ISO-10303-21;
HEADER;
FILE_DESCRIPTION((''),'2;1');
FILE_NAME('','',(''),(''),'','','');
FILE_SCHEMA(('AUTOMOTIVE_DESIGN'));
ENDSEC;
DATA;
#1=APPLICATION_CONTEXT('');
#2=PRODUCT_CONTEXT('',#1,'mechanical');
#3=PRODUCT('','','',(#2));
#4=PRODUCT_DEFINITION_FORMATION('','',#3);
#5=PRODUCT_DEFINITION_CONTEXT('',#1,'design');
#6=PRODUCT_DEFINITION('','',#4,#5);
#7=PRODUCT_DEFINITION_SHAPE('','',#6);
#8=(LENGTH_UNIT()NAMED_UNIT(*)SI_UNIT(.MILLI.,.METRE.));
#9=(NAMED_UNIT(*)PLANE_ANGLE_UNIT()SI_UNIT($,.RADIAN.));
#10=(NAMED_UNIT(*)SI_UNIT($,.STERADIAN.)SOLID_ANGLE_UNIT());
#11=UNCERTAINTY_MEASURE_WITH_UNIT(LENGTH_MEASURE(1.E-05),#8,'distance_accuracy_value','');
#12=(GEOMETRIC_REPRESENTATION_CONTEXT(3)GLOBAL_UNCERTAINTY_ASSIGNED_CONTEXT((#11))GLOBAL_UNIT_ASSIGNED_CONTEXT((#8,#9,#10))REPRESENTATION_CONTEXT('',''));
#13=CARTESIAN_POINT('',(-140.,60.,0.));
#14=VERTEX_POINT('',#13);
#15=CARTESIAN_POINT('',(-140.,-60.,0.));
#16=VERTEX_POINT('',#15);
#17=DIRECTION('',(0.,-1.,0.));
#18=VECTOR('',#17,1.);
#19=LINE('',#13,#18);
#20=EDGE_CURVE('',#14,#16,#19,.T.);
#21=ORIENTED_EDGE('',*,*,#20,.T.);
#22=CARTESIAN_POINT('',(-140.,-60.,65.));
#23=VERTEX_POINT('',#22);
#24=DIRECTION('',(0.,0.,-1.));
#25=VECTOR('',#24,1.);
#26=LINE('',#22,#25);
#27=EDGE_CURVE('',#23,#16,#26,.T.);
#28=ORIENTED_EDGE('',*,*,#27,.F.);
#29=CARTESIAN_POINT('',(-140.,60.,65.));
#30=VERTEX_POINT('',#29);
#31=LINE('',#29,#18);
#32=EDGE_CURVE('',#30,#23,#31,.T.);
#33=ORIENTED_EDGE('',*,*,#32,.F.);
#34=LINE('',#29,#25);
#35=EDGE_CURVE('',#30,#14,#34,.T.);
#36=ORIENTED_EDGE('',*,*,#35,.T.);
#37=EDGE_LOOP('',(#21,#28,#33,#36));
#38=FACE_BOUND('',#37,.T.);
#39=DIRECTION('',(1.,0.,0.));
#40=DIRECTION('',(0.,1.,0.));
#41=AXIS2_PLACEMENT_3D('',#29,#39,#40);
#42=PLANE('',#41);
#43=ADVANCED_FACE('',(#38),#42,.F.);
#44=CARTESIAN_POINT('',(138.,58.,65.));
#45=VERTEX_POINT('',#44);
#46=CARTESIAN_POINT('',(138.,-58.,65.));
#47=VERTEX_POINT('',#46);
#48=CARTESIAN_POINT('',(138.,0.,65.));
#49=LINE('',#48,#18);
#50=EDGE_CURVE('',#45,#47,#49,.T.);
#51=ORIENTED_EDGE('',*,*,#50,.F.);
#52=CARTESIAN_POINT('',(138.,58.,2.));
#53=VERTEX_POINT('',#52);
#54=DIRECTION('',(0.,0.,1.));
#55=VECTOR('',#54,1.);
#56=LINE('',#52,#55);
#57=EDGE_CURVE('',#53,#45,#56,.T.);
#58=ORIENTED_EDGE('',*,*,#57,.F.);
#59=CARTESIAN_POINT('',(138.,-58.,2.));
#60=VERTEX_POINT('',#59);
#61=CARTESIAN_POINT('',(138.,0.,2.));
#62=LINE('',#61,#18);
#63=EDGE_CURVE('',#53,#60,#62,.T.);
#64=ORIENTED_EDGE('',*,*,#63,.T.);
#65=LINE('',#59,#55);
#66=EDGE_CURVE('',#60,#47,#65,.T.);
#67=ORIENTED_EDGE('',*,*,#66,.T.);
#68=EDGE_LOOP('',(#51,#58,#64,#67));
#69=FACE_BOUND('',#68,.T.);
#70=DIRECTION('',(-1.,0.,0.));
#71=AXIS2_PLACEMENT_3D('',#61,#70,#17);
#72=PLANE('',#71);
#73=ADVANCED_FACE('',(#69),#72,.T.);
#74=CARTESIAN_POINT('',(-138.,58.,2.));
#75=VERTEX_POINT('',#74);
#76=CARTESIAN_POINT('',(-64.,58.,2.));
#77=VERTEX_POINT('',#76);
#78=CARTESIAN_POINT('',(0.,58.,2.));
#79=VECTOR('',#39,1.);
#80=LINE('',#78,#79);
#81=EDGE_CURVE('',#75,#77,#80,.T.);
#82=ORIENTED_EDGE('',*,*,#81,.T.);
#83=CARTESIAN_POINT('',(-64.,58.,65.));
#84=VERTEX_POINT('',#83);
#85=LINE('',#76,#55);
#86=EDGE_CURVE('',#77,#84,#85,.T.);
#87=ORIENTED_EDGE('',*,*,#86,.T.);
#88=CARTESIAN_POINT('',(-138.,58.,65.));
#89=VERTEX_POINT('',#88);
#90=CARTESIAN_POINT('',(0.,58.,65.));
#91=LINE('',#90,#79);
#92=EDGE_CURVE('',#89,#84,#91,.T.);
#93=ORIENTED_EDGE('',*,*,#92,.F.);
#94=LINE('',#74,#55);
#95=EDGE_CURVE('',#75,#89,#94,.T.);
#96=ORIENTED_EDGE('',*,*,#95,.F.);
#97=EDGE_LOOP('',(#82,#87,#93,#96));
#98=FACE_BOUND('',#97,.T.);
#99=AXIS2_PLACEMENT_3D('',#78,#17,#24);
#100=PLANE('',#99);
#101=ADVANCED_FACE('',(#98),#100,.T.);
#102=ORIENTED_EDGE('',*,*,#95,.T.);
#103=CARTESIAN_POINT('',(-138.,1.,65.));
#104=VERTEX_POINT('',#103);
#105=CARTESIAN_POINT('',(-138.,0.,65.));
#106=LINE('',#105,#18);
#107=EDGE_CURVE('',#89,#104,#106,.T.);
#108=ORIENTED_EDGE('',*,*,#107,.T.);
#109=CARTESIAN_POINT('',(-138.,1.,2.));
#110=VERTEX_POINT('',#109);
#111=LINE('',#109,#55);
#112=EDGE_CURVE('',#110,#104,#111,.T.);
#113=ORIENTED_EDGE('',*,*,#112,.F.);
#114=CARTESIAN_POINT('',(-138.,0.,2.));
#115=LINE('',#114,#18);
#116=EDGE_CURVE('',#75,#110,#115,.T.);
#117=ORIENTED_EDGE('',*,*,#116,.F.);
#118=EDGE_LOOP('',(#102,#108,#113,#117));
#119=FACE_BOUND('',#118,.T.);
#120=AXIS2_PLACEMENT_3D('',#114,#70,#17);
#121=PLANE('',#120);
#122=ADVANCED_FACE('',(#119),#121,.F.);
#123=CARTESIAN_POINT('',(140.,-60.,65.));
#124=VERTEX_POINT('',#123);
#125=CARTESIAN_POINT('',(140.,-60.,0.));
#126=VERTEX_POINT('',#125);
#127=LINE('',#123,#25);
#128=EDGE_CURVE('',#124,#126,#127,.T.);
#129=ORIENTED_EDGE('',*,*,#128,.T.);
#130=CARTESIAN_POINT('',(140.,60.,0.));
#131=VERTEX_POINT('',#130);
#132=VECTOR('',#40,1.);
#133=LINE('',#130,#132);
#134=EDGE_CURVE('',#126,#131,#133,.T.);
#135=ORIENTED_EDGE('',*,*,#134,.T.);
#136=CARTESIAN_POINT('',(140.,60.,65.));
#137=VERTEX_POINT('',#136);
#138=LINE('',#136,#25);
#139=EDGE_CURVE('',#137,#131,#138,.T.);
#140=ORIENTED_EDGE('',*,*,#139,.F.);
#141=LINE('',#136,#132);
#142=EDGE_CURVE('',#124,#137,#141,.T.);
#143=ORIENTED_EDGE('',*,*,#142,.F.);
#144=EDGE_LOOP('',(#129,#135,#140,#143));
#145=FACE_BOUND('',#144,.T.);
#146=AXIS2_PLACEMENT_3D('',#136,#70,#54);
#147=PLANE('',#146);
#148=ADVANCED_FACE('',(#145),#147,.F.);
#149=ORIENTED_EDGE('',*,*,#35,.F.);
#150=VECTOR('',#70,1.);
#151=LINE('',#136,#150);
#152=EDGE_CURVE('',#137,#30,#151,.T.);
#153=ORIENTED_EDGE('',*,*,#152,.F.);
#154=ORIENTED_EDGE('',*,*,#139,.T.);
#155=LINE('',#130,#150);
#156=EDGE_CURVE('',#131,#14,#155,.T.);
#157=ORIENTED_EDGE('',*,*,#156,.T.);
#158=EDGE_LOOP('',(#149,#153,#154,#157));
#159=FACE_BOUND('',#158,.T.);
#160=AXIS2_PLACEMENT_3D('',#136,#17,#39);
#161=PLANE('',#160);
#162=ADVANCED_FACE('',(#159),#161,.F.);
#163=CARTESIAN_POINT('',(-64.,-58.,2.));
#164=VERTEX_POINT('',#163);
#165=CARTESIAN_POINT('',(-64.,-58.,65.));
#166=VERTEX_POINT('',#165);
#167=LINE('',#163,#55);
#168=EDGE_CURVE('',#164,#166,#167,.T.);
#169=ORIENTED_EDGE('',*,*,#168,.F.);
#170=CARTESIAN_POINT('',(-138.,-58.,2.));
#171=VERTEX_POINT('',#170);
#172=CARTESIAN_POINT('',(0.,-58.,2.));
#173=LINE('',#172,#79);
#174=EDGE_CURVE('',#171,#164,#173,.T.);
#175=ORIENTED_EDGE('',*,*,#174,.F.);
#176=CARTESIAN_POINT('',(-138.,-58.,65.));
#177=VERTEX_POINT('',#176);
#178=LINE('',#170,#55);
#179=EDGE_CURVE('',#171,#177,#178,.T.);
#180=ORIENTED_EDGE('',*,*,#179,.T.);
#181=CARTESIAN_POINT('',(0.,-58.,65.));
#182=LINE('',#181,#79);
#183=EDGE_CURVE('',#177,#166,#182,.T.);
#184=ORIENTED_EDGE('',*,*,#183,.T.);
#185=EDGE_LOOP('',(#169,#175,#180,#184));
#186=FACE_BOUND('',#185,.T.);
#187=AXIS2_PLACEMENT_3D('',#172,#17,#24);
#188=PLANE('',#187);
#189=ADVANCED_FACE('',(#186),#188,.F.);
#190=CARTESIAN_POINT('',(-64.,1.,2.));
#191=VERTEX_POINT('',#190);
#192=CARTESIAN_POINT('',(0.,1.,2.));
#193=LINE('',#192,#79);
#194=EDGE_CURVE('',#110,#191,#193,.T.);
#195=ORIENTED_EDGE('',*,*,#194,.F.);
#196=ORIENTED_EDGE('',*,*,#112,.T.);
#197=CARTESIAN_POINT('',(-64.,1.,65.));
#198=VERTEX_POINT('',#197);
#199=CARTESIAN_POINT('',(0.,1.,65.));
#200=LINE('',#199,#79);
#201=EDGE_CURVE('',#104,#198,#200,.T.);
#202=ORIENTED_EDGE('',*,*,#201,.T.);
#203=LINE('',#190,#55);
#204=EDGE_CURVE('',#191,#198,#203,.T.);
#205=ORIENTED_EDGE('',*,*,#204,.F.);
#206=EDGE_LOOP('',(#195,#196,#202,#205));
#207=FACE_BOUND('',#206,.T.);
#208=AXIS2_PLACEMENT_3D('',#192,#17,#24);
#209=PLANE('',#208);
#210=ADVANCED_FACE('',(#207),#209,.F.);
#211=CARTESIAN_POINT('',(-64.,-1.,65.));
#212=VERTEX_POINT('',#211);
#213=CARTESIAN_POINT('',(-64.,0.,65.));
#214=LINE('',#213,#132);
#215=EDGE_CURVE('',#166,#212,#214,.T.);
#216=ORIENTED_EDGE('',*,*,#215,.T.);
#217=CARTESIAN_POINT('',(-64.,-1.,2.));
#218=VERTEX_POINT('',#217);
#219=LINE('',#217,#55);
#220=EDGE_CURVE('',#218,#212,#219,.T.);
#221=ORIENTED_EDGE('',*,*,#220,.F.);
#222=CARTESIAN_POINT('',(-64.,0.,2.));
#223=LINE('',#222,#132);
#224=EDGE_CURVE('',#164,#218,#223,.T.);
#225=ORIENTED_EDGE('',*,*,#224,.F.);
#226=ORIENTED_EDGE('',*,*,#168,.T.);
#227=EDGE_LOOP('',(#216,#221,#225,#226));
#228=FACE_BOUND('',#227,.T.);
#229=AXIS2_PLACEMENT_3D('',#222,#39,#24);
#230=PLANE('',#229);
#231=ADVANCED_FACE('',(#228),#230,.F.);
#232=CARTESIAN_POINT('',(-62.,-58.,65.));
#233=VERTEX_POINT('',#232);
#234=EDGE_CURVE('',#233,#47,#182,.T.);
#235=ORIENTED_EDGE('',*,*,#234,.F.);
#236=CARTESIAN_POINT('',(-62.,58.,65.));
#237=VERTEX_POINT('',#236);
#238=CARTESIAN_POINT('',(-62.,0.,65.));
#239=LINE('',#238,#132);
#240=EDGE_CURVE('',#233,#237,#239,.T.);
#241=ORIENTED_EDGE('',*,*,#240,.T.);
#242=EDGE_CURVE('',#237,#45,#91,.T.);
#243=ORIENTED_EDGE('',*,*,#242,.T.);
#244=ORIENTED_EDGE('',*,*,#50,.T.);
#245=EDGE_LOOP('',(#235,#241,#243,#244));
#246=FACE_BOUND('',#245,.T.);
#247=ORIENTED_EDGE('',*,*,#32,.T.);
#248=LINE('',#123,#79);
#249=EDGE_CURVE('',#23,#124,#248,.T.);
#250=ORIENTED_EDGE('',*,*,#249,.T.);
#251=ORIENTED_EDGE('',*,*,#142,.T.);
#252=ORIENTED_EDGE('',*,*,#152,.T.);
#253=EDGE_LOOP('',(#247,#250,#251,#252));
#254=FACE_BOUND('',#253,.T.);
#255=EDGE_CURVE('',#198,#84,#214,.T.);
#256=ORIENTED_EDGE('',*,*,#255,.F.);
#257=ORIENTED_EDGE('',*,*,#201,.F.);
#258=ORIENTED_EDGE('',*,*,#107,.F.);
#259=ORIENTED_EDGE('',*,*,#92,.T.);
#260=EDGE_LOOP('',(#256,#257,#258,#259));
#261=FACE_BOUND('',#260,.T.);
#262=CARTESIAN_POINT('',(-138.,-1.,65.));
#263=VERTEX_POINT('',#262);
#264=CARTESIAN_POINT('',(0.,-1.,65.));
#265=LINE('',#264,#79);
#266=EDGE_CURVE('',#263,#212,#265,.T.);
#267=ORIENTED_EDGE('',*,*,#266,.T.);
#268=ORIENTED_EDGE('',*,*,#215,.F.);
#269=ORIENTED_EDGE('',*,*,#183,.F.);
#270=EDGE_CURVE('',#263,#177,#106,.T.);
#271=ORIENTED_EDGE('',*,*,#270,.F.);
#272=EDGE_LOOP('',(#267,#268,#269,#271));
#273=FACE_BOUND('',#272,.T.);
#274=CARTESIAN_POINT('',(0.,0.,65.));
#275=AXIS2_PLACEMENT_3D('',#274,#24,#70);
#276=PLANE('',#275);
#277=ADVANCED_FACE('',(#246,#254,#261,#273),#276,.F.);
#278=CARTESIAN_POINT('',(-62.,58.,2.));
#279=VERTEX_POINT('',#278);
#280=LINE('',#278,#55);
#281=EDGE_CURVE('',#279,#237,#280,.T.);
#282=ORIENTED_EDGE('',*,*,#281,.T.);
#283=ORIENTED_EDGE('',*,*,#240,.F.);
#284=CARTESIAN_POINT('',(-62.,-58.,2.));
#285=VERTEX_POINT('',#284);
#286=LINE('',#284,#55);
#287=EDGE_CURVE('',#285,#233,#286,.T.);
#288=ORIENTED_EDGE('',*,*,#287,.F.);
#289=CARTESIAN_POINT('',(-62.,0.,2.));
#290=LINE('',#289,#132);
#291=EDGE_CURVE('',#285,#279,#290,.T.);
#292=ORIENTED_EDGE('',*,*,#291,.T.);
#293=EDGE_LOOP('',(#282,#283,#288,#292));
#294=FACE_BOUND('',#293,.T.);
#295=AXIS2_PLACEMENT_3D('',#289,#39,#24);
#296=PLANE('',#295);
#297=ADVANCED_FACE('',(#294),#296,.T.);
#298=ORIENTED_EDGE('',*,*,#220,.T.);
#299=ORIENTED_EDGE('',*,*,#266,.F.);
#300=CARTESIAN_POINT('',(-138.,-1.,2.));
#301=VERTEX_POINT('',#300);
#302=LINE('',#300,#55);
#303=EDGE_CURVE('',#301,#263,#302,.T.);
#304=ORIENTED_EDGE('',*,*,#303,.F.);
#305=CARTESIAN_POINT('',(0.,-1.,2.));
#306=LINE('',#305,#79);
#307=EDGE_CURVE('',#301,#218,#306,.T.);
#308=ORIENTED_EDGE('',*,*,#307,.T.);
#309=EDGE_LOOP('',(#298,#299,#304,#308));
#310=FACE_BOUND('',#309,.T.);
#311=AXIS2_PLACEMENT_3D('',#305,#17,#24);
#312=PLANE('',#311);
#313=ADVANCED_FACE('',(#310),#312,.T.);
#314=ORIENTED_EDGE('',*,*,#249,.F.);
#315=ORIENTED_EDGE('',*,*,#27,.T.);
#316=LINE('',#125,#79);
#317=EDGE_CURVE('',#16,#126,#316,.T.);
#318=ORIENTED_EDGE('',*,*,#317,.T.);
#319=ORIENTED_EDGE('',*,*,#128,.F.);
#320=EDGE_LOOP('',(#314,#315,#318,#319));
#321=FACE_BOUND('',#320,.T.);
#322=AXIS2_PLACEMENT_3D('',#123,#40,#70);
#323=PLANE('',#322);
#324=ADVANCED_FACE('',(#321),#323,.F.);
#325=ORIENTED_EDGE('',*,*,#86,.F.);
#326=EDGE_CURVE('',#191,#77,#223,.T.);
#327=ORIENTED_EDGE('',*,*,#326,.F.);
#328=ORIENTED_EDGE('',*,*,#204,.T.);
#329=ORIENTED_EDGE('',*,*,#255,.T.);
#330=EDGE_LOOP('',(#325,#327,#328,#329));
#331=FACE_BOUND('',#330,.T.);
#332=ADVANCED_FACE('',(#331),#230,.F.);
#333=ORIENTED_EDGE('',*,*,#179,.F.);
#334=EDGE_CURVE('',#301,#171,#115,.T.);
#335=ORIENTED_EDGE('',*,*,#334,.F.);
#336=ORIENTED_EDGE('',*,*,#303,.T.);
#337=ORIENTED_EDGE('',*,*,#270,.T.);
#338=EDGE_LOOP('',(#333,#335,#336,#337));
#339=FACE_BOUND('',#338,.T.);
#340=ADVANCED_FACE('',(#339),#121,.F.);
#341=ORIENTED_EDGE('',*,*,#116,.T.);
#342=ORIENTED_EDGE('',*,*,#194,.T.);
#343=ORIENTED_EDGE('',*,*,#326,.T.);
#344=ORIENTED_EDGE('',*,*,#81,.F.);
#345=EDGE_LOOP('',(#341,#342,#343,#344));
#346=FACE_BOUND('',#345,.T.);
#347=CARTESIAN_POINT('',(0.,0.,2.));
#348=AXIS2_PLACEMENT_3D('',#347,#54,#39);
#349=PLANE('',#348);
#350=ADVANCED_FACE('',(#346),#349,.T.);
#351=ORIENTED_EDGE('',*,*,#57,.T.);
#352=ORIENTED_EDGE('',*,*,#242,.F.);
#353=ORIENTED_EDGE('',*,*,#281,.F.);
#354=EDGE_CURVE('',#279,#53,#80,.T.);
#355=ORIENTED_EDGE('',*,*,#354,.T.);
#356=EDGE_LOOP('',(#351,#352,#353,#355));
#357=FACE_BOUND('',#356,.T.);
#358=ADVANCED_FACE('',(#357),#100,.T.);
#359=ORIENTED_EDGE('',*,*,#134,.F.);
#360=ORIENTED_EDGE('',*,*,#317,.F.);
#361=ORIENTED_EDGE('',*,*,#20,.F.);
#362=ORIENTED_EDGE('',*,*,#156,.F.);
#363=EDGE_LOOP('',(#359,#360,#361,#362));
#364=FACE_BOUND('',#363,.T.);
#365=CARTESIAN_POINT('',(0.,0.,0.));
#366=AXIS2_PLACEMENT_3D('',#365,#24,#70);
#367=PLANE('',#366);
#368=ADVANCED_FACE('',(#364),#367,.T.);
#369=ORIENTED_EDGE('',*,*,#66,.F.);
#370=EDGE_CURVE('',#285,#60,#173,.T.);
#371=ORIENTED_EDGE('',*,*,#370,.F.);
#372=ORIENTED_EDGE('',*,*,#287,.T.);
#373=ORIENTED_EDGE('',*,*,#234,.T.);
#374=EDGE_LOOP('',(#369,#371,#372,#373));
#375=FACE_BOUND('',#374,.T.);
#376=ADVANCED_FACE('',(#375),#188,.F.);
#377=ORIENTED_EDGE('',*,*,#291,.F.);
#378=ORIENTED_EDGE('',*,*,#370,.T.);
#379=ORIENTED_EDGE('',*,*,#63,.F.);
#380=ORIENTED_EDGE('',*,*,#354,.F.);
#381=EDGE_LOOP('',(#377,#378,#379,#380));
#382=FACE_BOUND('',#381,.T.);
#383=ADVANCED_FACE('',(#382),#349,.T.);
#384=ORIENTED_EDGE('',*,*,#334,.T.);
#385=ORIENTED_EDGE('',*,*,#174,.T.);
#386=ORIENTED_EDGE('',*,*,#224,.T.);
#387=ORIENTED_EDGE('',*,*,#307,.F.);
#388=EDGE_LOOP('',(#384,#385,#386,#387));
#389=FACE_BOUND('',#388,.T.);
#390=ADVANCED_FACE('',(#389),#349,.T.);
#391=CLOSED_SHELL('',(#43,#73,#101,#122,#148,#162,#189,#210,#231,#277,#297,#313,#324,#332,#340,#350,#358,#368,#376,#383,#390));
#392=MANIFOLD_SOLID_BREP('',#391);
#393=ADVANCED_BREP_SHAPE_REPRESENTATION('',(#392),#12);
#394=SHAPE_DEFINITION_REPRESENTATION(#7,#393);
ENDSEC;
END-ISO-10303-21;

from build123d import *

# Parameters (mm, degrees)
SKICA1_W                 = 280
SKICA1_H                 = 120
P_IDAT_VYSUNUT_M1_DEPTH  = 65
SKICA2_W                 = 74
SKICA2_H                 = 57
SKICA2_W_2               = 200
SKICA2_H_2               = 116
ODEBRAT_VYSUNUT_M1_DEPTH = 63


with BuildPart() as part:
    # Skica1 → Přidat vysunutím1 (new body)
    with BuildSketch(Plane.XY):
        Rectangle(SKICA1_W, SKICA1_H)
    extrude(amount=P_IDAT_VYSUNUT_M1_DEPTH)

    # Skica2 → Odebrat vysunutím1 (cut)
    with BuildSketch(Plane.XY.offset(65)):
        with Locations((-101, -29.5)):
            Rectangle(SKICA2_W, SKICA2_H)
        with Locations((-101, 29.5)):
            Rectangle(SKICA2_W, SKICA2_H)
        with Locations((38, 0)):
            Rectangle(SKICA2_W_2, SKICA2_H_2)
    extrude(amount=-ODEBRAT_VYSUNUT_M1_DEPTH, mode=Mode.SUBTRACT)


solid = part.part
